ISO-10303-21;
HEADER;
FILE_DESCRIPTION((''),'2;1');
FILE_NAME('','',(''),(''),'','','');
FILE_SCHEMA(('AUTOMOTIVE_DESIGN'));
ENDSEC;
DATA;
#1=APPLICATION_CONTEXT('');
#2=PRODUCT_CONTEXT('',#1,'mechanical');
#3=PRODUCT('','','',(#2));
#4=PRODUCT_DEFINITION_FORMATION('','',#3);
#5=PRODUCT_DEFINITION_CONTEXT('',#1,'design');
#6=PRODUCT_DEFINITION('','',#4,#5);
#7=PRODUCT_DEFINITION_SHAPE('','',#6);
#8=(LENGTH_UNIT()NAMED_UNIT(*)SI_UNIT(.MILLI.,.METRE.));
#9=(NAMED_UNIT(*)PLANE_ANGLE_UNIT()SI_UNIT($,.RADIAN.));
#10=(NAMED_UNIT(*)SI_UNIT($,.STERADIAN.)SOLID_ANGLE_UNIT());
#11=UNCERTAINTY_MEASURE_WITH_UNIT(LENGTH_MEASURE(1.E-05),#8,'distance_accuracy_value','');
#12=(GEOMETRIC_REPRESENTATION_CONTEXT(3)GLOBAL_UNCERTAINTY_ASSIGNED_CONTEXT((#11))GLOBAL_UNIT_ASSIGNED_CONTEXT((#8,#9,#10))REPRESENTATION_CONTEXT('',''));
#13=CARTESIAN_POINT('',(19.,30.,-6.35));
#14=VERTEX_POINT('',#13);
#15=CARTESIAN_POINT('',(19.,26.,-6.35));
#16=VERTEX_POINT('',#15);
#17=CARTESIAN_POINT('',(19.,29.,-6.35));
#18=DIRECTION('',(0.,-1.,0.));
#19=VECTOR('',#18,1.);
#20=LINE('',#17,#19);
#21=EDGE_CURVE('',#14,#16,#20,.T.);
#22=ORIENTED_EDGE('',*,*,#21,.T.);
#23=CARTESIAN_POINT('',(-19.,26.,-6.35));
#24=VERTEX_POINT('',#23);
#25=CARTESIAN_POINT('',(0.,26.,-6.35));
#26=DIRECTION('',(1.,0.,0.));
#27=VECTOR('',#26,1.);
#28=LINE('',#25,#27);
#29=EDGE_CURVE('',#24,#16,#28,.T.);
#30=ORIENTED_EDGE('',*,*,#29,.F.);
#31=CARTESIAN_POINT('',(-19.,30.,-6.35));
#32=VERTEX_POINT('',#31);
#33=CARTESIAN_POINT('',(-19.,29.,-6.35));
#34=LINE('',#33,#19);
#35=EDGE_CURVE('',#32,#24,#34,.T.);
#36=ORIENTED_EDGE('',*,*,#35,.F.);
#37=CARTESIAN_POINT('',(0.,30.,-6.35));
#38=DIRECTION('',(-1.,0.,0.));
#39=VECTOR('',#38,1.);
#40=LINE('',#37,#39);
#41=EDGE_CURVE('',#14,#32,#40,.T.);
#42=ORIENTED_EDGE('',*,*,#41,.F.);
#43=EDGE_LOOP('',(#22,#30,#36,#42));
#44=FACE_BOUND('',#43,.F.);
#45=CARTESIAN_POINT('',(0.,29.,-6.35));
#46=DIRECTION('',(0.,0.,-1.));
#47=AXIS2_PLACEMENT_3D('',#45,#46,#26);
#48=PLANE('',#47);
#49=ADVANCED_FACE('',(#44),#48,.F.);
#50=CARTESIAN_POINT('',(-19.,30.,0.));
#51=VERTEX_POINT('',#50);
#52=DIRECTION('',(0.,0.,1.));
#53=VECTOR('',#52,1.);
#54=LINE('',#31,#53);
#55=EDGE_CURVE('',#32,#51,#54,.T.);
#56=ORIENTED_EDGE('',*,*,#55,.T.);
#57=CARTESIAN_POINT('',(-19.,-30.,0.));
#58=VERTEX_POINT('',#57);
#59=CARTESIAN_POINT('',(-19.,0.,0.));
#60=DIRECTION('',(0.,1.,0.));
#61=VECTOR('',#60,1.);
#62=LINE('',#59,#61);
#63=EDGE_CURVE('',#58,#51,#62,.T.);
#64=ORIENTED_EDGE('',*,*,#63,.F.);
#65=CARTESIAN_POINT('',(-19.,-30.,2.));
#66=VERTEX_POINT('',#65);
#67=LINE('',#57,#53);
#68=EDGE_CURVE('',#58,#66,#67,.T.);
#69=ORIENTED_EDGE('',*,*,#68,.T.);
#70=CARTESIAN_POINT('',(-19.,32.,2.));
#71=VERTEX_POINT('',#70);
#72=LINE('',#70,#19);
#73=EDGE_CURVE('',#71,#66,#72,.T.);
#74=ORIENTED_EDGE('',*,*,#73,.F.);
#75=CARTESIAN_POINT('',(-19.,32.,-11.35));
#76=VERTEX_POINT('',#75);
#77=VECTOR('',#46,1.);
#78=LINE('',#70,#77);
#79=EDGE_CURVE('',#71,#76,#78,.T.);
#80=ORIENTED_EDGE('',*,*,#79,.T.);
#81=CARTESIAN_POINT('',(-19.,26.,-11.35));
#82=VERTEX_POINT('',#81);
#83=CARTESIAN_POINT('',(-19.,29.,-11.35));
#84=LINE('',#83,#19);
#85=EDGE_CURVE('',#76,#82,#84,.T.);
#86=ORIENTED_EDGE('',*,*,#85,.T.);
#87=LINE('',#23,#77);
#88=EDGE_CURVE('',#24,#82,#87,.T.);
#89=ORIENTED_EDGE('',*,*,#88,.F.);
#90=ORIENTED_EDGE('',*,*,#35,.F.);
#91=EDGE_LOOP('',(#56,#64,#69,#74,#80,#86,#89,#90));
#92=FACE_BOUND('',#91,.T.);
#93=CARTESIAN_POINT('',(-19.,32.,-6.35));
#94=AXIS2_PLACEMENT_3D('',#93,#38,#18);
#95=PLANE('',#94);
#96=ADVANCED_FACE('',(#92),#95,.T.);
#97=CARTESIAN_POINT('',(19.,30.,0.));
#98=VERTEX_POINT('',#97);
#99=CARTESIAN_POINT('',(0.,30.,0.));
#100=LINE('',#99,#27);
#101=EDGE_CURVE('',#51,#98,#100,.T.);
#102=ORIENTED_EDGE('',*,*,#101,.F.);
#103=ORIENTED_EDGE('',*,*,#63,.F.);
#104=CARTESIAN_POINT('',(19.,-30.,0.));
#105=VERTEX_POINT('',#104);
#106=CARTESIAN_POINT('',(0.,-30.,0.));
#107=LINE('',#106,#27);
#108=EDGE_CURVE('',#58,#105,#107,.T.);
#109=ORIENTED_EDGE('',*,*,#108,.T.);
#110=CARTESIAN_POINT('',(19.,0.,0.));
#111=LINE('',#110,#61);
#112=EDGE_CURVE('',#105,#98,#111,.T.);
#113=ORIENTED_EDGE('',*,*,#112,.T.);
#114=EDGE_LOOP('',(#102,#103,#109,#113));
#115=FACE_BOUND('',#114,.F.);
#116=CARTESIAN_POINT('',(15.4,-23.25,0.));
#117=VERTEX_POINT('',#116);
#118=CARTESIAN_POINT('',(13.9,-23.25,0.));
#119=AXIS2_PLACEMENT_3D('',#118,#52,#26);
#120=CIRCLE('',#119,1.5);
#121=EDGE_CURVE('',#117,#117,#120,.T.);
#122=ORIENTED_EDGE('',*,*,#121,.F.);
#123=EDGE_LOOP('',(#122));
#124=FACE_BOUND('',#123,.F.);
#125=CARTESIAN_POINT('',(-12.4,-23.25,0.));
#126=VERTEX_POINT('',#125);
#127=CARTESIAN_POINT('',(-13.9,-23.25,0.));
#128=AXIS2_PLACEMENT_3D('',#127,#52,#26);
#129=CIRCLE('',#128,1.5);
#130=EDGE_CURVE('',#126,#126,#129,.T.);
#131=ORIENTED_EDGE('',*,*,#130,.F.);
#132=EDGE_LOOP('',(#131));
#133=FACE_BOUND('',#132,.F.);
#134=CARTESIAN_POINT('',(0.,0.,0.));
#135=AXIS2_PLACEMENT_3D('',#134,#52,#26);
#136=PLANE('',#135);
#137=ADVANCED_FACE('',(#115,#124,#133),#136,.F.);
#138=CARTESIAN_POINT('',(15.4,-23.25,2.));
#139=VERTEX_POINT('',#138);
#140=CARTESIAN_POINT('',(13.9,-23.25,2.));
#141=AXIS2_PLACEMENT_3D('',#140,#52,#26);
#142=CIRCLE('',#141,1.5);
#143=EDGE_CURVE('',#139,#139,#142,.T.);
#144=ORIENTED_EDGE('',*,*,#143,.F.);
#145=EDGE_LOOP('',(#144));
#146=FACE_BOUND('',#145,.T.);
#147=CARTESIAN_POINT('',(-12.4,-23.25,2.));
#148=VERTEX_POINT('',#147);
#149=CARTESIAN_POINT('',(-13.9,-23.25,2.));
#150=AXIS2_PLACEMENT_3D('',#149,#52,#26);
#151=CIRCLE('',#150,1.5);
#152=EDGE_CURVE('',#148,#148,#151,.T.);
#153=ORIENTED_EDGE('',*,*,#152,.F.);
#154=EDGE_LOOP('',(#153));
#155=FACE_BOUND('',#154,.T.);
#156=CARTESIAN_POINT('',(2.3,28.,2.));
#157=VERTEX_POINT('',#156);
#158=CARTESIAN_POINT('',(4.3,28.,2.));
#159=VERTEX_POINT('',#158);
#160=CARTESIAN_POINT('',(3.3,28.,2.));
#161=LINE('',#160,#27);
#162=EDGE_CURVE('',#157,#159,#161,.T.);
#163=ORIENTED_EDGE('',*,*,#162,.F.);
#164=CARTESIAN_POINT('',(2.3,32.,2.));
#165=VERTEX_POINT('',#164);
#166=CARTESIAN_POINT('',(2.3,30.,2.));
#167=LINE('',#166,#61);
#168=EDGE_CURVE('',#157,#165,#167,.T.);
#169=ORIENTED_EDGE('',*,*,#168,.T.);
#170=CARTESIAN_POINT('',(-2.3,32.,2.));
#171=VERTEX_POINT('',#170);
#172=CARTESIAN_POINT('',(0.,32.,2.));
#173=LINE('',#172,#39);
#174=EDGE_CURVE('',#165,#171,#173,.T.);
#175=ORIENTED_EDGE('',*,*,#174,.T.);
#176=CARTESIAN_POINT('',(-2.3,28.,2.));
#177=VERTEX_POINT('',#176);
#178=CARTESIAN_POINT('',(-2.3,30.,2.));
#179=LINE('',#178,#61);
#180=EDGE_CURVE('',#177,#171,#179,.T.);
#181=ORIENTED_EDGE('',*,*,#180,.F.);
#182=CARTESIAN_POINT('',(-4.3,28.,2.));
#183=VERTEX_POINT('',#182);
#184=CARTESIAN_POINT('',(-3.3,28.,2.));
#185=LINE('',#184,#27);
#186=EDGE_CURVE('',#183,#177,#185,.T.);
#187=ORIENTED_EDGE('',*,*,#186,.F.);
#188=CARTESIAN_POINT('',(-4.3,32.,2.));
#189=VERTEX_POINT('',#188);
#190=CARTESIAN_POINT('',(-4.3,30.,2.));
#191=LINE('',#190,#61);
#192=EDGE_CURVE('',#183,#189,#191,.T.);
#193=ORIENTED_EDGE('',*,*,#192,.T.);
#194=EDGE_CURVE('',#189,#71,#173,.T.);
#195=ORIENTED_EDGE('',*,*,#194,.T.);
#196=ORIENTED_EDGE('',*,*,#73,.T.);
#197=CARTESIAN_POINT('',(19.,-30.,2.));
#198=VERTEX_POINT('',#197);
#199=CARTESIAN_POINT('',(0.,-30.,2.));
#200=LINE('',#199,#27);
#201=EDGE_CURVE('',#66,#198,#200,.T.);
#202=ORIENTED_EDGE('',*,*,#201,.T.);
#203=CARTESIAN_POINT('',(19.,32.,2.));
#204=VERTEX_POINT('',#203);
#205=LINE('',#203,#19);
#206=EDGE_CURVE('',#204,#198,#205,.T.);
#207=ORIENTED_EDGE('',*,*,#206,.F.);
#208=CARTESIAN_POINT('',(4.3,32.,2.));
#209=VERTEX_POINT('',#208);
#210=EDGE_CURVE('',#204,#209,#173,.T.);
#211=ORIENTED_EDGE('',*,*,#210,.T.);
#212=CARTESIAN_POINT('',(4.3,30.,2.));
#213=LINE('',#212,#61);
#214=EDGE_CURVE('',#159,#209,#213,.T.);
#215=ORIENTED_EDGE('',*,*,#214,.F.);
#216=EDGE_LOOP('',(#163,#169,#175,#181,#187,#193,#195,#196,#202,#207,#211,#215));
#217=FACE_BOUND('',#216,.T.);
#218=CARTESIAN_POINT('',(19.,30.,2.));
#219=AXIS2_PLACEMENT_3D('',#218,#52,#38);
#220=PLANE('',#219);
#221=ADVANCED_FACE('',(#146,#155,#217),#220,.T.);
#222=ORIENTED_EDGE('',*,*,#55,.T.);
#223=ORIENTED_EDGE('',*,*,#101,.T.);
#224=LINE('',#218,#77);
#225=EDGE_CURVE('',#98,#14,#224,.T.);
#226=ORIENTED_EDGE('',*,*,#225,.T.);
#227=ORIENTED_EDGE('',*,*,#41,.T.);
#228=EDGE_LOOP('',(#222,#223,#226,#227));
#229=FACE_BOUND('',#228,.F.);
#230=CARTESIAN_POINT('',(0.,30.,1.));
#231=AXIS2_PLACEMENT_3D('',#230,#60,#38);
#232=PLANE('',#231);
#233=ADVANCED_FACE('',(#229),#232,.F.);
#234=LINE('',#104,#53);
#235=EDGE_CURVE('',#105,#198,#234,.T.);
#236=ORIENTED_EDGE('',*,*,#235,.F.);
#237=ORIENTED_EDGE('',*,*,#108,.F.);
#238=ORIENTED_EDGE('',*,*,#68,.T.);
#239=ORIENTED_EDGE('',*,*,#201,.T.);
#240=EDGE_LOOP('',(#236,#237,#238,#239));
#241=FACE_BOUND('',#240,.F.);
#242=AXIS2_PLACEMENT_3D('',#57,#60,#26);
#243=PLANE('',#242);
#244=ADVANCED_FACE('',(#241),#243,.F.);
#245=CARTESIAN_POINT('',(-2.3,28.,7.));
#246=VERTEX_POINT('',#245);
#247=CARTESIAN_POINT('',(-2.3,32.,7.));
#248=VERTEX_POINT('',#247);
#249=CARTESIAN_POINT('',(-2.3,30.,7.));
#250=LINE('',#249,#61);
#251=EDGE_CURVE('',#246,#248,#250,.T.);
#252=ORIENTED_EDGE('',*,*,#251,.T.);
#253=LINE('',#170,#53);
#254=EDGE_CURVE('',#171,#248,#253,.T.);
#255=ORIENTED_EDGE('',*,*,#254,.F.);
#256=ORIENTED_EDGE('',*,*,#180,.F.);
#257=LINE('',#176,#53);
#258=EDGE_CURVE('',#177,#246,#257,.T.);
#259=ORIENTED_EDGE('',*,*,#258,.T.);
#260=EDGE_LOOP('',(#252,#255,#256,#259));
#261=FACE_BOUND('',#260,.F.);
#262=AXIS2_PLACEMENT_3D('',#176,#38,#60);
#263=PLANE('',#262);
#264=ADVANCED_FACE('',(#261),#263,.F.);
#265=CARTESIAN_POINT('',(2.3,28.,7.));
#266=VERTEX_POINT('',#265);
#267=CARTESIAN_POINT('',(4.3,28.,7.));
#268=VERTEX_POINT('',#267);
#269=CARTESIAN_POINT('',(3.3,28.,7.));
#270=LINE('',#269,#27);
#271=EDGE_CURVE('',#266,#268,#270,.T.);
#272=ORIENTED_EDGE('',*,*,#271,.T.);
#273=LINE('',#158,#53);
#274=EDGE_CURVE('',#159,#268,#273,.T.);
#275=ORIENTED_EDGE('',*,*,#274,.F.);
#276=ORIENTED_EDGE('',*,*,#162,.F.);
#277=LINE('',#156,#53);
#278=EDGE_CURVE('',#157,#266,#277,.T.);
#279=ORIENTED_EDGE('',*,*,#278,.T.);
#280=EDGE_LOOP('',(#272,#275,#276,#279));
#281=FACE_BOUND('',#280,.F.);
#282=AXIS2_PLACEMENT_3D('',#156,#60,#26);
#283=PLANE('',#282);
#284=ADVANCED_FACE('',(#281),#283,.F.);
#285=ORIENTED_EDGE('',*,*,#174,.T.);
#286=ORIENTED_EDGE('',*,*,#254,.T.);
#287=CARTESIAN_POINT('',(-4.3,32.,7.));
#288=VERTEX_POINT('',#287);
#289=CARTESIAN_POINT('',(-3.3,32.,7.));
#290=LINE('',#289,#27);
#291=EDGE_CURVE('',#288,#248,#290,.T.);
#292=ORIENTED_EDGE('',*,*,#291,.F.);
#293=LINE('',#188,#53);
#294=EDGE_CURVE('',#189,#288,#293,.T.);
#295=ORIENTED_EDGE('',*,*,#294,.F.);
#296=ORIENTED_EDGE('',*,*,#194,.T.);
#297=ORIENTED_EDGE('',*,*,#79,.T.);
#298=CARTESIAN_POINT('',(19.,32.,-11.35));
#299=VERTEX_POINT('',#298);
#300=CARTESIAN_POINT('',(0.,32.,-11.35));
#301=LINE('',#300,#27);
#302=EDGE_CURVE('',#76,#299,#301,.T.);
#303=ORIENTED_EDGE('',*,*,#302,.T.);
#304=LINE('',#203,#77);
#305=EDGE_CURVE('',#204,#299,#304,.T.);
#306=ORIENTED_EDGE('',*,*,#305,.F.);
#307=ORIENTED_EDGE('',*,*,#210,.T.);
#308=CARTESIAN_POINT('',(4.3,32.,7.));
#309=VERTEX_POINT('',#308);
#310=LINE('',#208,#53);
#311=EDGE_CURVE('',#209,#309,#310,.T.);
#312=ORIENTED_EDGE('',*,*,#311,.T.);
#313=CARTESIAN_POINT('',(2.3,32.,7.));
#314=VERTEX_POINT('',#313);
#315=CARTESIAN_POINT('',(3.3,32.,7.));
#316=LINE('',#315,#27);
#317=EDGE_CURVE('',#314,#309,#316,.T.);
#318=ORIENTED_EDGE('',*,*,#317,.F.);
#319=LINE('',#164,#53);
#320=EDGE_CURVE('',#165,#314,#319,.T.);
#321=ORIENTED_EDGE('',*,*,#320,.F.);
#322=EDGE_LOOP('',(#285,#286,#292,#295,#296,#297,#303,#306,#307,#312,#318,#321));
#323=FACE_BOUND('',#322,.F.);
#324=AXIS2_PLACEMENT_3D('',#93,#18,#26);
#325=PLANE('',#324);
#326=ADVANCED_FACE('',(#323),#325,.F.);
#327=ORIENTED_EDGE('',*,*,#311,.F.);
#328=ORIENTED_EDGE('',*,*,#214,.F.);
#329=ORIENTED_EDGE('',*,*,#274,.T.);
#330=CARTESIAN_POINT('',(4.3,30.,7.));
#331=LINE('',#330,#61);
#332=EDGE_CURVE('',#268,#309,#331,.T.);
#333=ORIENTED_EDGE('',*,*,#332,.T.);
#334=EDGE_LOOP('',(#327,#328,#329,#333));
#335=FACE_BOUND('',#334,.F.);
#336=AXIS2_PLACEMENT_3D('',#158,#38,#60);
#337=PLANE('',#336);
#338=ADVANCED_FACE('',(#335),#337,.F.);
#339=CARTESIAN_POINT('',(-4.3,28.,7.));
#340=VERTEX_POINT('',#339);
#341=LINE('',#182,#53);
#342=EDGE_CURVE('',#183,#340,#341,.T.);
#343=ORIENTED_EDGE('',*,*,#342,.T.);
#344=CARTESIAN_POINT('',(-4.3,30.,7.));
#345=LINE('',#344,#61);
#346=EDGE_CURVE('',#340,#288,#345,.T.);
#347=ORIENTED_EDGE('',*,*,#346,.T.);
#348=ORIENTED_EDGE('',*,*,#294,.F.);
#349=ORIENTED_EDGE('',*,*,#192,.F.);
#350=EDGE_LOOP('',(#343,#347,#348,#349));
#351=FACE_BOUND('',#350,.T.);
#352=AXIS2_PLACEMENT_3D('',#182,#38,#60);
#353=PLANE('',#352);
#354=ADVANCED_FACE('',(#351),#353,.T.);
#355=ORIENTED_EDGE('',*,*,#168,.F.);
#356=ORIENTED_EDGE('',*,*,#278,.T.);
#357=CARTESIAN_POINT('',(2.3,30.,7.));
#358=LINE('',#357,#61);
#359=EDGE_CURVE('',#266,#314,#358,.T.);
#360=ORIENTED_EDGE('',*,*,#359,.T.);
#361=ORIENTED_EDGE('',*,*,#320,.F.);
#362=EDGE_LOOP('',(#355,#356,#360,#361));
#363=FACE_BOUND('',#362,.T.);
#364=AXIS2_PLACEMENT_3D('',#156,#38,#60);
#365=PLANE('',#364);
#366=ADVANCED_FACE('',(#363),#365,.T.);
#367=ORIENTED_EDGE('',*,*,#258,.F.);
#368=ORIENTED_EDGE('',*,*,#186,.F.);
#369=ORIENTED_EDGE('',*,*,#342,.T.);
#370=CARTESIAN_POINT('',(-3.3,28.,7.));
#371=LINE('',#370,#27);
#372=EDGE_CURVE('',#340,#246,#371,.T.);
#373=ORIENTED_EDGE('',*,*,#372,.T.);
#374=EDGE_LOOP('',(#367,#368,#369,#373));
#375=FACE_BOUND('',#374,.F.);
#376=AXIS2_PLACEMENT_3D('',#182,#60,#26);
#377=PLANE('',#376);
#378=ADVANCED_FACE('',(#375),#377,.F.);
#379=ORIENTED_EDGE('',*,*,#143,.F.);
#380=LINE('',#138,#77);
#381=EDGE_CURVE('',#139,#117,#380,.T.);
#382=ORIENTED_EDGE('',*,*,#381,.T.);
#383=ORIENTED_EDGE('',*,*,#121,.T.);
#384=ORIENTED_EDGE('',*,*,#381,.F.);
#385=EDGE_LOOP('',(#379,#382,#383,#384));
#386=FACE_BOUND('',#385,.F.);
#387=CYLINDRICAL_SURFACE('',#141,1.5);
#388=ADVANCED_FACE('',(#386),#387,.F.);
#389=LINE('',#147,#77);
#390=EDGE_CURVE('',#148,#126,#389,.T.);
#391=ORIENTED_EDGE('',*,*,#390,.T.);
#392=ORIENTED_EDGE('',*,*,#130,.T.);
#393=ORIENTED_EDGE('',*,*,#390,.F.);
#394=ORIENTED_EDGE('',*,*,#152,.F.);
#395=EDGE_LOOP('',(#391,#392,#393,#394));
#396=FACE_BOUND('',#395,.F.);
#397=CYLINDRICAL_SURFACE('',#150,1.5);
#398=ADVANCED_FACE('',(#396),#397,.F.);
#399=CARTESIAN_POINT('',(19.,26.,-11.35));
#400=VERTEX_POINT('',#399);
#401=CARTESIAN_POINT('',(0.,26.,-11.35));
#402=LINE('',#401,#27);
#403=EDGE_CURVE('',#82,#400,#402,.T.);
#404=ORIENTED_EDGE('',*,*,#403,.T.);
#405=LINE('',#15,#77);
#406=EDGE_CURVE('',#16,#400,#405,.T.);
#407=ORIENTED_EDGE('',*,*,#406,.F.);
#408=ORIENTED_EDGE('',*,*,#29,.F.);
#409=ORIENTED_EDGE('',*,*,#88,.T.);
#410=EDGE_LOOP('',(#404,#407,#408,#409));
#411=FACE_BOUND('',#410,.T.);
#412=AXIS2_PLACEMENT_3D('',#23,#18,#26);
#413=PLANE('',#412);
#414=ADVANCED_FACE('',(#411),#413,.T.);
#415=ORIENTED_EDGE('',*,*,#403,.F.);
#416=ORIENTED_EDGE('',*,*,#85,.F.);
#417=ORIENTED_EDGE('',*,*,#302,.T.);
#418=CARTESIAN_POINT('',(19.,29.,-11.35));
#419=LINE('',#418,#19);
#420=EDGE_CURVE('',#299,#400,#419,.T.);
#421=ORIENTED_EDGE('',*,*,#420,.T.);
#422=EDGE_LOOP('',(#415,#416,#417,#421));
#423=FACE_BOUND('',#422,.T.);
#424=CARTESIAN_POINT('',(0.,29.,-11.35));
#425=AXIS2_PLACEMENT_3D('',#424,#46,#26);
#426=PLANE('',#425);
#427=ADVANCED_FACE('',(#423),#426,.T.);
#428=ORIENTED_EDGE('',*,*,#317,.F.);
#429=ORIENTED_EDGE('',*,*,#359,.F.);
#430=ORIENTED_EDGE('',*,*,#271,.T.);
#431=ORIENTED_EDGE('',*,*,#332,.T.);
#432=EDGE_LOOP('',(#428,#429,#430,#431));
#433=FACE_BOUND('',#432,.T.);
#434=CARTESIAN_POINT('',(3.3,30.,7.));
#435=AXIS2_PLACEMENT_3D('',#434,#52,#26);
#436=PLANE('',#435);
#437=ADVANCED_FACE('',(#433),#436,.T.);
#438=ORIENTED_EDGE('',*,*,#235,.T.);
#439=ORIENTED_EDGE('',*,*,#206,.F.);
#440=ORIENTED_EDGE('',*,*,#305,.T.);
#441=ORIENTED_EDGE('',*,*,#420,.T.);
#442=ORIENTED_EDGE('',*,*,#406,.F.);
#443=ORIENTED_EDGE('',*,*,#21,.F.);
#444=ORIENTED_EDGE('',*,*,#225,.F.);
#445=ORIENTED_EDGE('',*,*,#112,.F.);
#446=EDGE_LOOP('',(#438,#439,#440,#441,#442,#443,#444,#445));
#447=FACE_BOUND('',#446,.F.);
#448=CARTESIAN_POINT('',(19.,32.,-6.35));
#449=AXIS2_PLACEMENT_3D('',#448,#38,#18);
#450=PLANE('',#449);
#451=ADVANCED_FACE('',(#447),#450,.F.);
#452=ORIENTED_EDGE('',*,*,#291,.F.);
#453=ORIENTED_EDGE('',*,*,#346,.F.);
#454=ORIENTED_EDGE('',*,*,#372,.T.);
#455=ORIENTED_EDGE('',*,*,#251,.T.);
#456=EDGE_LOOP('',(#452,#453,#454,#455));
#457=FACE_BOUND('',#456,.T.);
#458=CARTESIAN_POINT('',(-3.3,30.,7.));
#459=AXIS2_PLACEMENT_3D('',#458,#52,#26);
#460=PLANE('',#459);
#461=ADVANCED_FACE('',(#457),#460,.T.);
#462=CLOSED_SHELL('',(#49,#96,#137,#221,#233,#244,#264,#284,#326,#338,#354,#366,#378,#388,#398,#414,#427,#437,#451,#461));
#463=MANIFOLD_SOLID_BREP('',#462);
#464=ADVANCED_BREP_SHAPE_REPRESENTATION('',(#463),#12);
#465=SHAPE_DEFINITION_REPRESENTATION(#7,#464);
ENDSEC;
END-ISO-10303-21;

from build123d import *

# Parameters (mm, degrees)
F0_W     = 38
F0_H     = 60
F1_DEPTH = 2
F2_W     = 38
F2_H     = 2
F2_H_2   = 6.35
F3_DEPTH = 2
F4_W     = 38
F4_H     = 6
F5_DEPTH = 5
F6_W     = 2
F6_H     = 4
F7_DEPTH = 5
F8_R     = 1.5
F9_DEPTH = 25


with BuildPart() as f1:
    # F0 (on Top) → F1 (new body)
    with BuildSketch(Plane.XY):
        Rectangle(F0_W, F0_H)
    extrude(amount=F1_DEPTH)

    # F2 (on face) → F3 (join)
    with BuildSketch(Plane(origin=(0, 30, 0), x_dir=(-1, 0, 0), z_dir=(0, 1, 0))):
        with Locations((0, 1)):
            Rectangle(F2_W, F2_H)
        with Locations((0, -3.175)):
            Rectangle(F2_W, F2_H_2)
    extrude(amount=F3_DEPTH)

    # F4 (on face) → F5 (join)
    with BuildSketch(Plane(origin=(0, 0, -6.35), x_dir=(1, 0, 0), z_dir=(0, 0, -1))):
        with Locations((0, -29)):
            Rectangle(F4_W, F4_H)
    extrude(amount=F5_DEPTH)

    # F6 (on face) → F7 (join)
    with BuildSketch(Plane.XY.offset(2)):
        with Locations((-3.3, 30)):
            Rectangle(F6_W, F6_H)
        with Locations((3.3, 30)):
            Rectangle(F6_W, F6_H)
    extrude(amount=F7_DEPTH)

    # F8 (on face) → F9 (cut)
    with BuildSketch(Plane.XY.offset(2)):
        with Locations((-13.9, -23.25)):
            Circle(F8_R)
        with Locations((13.9, -23.25)):
            Circle(F8_R)
    extrude(amount=-F9_DEPTH, mode=Mode.SUBTRACT)


solid = f1.part
